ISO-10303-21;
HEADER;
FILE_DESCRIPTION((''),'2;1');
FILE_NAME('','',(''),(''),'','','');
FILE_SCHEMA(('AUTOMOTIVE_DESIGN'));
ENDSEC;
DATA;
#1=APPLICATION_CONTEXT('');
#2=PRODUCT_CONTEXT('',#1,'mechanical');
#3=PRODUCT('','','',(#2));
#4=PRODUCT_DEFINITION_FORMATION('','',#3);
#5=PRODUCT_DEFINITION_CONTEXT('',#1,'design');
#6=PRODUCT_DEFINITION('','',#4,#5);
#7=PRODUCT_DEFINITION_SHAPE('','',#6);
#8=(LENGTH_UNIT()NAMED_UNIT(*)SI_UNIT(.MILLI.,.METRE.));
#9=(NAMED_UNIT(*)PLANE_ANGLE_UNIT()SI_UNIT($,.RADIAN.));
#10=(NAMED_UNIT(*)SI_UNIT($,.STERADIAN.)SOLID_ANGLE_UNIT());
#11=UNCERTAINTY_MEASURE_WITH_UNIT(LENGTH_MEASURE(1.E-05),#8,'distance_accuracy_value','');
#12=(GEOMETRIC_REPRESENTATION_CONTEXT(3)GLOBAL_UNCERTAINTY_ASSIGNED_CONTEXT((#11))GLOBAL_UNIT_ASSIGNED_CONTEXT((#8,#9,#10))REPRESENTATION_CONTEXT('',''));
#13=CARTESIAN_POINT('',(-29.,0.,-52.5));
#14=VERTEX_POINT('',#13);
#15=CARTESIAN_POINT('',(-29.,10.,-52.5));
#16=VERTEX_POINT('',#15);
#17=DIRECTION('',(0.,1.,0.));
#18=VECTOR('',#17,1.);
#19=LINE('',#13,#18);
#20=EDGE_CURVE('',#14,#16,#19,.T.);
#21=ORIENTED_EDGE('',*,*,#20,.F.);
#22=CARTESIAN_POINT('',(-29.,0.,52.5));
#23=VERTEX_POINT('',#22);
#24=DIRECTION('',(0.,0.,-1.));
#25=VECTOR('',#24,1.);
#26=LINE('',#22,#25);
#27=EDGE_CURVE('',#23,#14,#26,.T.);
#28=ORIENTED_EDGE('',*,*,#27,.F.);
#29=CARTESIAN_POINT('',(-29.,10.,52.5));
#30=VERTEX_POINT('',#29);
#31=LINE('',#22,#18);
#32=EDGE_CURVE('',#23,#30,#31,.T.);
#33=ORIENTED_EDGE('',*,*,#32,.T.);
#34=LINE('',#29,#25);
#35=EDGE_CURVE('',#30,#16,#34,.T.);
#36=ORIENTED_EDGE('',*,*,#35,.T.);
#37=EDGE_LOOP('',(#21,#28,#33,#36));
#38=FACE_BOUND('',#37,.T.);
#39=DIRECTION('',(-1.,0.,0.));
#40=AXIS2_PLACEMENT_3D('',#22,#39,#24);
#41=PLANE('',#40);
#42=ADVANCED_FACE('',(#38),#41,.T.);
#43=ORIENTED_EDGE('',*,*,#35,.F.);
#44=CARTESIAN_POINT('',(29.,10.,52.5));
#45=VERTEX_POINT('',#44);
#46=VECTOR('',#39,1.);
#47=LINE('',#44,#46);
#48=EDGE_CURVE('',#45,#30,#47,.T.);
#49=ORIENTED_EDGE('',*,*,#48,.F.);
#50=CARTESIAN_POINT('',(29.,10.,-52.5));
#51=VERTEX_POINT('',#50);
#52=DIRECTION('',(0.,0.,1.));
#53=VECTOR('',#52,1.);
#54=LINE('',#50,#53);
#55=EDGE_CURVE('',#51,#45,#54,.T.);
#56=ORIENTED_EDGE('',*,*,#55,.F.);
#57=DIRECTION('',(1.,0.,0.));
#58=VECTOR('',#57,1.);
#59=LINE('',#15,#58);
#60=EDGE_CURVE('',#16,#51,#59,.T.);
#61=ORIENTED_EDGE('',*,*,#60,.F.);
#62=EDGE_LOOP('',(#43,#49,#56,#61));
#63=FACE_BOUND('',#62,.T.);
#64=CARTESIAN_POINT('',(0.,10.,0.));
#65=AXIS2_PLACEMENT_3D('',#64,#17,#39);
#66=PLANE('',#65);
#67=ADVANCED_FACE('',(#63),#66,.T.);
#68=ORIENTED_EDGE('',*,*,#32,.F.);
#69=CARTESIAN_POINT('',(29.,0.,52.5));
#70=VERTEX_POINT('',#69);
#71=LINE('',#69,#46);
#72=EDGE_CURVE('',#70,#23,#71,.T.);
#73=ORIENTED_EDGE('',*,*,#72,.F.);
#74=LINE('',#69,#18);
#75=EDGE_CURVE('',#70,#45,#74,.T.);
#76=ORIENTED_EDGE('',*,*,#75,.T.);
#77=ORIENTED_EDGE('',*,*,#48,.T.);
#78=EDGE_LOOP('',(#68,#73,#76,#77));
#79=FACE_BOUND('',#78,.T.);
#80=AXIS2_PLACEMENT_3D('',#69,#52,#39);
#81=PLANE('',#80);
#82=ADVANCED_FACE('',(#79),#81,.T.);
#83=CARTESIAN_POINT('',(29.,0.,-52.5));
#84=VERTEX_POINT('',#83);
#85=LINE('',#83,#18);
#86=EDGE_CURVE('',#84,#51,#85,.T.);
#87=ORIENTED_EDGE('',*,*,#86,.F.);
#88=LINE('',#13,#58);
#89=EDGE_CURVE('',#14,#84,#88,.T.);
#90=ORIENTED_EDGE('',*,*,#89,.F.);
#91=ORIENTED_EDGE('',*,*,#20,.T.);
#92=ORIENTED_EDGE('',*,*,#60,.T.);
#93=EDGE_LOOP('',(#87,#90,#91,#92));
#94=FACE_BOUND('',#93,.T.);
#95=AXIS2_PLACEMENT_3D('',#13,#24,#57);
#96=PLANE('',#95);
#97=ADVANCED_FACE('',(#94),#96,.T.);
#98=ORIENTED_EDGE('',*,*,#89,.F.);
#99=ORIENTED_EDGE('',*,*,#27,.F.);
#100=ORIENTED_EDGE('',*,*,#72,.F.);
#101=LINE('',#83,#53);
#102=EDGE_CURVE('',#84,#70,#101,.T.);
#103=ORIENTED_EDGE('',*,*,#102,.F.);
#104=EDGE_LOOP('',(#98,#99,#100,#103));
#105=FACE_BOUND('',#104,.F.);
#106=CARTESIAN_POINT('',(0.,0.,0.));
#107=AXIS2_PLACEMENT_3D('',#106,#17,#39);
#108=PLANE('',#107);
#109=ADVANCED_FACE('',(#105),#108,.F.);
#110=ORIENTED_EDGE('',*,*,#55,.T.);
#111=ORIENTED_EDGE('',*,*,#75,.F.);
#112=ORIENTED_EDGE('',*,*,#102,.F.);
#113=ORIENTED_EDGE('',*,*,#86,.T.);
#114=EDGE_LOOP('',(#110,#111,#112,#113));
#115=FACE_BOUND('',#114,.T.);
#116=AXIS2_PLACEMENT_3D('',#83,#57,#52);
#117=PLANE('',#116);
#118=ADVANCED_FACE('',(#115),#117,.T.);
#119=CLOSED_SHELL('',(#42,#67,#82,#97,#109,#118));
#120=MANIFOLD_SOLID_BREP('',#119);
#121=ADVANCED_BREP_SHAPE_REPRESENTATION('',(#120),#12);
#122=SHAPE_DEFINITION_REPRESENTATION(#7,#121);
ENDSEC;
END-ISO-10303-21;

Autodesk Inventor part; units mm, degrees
ref_plane "YZ Plane" through (0, 0, 0) normal (1, 0, 0) x (0, 1, 0)
ref_plane "XZ Plane" through (0, 0, 0) normal (0, 1, 0) x (-1, 0, 0)
ref_plane "XY Plane" through (0, 0, 0) normal (0, 0, 1) x (1, 0, 0)
sketch "Sketch1" plane through (0, 0, 0) normal (0, 1, 0) x (-1, 0, 0)
  line L0 (-29, 52.5) -> (29, 52.5)
  line L1 (29, 52.5) -> (29, -52.5)
  line L2 (29, -52.5) -> (-29, -52.5)
  line L3 (-29, -52.5) -> (-29, 52.5)
  line L4 (-29, 52.5) -> (29, -52.5) construction
  line L5 (29, 52.5) -> (-29, -52.5) construction
  point P0 (0, 0)
  dimension "d0" = 58
  dimension "d1" = 105
extrude "Extrusion1" add sketch "Sketch1" along normal blind 10
properties part number "battery"
